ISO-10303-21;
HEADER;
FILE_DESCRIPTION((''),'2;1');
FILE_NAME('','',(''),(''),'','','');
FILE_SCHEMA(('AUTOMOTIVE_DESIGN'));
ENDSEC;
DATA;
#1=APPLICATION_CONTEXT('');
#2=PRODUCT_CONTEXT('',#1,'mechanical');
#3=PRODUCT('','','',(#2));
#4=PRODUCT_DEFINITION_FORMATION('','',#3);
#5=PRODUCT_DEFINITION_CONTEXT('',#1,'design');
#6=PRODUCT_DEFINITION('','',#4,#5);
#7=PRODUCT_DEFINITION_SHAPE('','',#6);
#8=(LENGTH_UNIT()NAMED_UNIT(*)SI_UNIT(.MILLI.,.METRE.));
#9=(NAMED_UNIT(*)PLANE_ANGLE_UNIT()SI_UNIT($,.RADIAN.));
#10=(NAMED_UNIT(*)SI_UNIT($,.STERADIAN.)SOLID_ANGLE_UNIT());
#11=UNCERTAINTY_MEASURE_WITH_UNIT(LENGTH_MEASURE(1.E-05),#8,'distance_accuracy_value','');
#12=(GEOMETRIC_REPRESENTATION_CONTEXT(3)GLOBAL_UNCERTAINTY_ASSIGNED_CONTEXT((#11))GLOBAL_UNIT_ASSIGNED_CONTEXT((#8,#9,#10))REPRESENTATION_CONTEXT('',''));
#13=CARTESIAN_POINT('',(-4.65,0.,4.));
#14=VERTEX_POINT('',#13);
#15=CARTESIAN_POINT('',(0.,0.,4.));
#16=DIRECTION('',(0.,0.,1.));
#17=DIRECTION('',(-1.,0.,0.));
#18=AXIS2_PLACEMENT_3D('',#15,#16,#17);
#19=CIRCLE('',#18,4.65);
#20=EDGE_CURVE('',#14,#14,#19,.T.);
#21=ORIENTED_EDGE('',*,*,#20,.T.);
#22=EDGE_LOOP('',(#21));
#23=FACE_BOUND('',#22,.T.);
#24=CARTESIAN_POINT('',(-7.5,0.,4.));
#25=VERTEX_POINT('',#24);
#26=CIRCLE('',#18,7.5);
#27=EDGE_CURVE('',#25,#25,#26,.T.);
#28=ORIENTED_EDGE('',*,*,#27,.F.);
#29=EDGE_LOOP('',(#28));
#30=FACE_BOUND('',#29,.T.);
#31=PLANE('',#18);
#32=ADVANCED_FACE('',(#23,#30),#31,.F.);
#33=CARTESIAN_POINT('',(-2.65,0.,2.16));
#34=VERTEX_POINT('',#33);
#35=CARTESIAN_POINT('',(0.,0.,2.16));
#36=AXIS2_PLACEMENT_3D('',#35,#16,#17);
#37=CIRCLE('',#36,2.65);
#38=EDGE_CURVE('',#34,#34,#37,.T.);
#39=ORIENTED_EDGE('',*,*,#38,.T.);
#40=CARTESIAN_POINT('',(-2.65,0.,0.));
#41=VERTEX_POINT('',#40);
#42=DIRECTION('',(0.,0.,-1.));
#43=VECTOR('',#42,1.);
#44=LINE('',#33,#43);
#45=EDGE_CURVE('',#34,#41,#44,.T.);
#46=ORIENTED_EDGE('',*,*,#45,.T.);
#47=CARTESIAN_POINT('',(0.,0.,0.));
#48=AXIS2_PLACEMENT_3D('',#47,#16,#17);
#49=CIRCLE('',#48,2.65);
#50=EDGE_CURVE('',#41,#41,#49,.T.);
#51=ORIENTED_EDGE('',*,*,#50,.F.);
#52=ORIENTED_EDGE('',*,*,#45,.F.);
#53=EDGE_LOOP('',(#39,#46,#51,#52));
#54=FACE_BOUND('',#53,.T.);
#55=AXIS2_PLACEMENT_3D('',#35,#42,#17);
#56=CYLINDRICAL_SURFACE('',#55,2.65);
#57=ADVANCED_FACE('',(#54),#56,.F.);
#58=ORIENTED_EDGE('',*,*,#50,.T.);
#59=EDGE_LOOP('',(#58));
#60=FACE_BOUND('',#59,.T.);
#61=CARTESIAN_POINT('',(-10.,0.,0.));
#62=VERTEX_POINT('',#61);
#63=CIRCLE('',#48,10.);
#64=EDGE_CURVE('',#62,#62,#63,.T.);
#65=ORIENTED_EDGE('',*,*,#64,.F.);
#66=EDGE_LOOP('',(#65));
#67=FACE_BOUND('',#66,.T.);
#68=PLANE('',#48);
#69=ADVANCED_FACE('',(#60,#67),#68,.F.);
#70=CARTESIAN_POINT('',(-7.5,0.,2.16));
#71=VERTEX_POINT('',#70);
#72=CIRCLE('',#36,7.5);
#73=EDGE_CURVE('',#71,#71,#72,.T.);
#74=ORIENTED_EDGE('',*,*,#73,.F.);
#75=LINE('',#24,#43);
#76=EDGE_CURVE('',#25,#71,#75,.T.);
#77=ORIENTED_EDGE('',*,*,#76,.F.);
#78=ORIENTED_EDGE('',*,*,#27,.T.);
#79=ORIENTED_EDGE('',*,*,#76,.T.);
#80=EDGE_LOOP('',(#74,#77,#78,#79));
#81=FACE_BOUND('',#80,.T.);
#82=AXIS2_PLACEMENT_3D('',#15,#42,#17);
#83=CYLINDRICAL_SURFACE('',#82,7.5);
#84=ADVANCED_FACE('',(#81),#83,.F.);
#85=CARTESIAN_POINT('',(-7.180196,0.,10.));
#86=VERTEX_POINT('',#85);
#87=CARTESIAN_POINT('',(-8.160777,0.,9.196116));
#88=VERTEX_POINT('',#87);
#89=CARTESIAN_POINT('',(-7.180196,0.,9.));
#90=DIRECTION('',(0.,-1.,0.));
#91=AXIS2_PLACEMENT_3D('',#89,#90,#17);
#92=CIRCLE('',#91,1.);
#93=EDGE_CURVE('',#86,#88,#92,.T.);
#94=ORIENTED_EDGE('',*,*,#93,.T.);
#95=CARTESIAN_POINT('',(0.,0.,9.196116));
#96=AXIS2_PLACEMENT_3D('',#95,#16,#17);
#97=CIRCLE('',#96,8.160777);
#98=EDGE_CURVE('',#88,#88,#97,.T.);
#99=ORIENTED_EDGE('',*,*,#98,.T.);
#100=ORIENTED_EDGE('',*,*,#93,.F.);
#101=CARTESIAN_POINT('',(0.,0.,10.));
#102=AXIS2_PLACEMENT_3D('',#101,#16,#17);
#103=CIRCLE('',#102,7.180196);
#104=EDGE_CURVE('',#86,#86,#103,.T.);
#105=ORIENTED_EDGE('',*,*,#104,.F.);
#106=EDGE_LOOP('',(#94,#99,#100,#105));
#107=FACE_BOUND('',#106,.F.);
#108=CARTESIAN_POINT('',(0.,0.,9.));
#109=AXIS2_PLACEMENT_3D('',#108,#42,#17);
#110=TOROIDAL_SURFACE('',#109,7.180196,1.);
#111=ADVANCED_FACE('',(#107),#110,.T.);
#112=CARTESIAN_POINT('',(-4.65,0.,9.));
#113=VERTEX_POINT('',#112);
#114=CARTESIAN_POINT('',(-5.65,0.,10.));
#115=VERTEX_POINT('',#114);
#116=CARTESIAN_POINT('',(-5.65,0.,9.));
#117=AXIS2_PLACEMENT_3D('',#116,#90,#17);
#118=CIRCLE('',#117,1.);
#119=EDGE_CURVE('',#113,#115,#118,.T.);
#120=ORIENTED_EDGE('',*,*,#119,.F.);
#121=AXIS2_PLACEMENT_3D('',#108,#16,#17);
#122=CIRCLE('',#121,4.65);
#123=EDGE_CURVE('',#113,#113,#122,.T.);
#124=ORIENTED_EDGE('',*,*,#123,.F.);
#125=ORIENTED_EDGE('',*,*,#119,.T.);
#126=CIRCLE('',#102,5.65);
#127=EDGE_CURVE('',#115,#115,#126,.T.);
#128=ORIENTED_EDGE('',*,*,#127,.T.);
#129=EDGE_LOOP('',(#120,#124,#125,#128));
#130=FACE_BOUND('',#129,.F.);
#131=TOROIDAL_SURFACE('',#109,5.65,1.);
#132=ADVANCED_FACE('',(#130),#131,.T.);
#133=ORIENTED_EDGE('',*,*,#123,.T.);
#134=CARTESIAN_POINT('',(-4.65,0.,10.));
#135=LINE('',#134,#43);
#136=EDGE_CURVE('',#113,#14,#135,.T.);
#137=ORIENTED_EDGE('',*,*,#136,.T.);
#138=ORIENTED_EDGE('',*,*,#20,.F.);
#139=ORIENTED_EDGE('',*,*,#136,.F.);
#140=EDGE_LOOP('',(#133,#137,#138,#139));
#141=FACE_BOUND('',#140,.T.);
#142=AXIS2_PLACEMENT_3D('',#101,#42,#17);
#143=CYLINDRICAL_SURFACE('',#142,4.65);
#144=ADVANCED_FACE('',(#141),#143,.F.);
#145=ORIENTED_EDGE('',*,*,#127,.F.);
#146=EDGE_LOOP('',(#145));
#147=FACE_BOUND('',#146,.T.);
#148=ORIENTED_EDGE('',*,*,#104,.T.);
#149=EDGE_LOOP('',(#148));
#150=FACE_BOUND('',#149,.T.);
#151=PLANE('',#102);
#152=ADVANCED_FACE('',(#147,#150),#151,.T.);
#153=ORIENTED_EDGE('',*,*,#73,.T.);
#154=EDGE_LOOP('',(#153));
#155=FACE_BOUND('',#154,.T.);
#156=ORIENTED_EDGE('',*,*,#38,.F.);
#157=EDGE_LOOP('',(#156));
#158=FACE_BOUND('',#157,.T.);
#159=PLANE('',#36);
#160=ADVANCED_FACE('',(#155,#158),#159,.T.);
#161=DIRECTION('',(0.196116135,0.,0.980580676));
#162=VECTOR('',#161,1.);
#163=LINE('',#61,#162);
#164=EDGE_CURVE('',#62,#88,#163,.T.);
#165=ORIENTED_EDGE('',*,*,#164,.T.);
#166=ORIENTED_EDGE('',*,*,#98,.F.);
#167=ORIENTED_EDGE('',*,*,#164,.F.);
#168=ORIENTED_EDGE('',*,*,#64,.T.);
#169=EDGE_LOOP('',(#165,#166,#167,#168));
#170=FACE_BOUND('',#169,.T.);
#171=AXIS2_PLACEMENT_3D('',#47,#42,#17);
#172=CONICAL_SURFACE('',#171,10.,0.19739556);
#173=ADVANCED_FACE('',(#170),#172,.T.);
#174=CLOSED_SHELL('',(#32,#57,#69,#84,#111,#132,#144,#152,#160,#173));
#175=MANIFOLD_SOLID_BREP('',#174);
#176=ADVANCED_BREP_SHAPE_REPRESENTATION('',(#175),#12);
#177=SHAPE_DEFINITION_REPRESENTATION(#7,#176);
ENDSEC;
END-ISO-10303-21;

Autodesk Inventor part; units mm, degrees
ref_plane "YZ Plane" through (0, 0, 0) normal (1, 0, 0) x (0, 1, 0)
ref_plane "XZ Plane" through (0, 0, 0) normal (0, 1, 0) x (-1, 0, 0)
ref_plane "XY Plane" through (0, 0, 0) normal (0, 0, 1) x (1, 0, 0)
sketch "Skizze1" plane through (0, 0, 0) normal (0, 1, 0) x (-1, 0, 0)
  line L0 (0, 0) -> (0, 10) construction
  line L1 (0, 0) -> (10, 0) construction
  line L2 (10, 0) -> (8, 10) construction
  line L3 (8, 10) -> (0, 10) construction
  line L4 (2.65, 0) -> (10, 0)
  line L5 (10, 0) -> (8, 10)
  line L6 (4.65, 4) -> (7.5, 4)
  line L7 (7.5, 4) -> (7.5, 2.16)
  line L8 (7.5, 2.16) -> (2.65, 2.16)
  line L9 (2.65, 2.16) -> (2.65, 0)
  line L10 (8, 10) -> (4.65, 10)
  line L11 (4.65, 10) -> (4.65, 4)
  dimension "d0" = 16
  dimension "d1" = 20
  dimension "d2" = 10
  dimension "d3" = 9.3
  dimension "d4" = 5.3
  dimension "d5" = 2.16
  dimension "d6" = 6
  dimension "d7" = 15
revolve "Umdrehung1" add sketch "Skizze1" angle 360 about axis through (0, 0, 0) along (0, 0, 1)
fillet "Rundung1" radius 1 2 edges at (4.65, 0, 10) (8, 0, 10)
properties part number "00-05-001-Rubber" material "Gummi, Schwarz"
